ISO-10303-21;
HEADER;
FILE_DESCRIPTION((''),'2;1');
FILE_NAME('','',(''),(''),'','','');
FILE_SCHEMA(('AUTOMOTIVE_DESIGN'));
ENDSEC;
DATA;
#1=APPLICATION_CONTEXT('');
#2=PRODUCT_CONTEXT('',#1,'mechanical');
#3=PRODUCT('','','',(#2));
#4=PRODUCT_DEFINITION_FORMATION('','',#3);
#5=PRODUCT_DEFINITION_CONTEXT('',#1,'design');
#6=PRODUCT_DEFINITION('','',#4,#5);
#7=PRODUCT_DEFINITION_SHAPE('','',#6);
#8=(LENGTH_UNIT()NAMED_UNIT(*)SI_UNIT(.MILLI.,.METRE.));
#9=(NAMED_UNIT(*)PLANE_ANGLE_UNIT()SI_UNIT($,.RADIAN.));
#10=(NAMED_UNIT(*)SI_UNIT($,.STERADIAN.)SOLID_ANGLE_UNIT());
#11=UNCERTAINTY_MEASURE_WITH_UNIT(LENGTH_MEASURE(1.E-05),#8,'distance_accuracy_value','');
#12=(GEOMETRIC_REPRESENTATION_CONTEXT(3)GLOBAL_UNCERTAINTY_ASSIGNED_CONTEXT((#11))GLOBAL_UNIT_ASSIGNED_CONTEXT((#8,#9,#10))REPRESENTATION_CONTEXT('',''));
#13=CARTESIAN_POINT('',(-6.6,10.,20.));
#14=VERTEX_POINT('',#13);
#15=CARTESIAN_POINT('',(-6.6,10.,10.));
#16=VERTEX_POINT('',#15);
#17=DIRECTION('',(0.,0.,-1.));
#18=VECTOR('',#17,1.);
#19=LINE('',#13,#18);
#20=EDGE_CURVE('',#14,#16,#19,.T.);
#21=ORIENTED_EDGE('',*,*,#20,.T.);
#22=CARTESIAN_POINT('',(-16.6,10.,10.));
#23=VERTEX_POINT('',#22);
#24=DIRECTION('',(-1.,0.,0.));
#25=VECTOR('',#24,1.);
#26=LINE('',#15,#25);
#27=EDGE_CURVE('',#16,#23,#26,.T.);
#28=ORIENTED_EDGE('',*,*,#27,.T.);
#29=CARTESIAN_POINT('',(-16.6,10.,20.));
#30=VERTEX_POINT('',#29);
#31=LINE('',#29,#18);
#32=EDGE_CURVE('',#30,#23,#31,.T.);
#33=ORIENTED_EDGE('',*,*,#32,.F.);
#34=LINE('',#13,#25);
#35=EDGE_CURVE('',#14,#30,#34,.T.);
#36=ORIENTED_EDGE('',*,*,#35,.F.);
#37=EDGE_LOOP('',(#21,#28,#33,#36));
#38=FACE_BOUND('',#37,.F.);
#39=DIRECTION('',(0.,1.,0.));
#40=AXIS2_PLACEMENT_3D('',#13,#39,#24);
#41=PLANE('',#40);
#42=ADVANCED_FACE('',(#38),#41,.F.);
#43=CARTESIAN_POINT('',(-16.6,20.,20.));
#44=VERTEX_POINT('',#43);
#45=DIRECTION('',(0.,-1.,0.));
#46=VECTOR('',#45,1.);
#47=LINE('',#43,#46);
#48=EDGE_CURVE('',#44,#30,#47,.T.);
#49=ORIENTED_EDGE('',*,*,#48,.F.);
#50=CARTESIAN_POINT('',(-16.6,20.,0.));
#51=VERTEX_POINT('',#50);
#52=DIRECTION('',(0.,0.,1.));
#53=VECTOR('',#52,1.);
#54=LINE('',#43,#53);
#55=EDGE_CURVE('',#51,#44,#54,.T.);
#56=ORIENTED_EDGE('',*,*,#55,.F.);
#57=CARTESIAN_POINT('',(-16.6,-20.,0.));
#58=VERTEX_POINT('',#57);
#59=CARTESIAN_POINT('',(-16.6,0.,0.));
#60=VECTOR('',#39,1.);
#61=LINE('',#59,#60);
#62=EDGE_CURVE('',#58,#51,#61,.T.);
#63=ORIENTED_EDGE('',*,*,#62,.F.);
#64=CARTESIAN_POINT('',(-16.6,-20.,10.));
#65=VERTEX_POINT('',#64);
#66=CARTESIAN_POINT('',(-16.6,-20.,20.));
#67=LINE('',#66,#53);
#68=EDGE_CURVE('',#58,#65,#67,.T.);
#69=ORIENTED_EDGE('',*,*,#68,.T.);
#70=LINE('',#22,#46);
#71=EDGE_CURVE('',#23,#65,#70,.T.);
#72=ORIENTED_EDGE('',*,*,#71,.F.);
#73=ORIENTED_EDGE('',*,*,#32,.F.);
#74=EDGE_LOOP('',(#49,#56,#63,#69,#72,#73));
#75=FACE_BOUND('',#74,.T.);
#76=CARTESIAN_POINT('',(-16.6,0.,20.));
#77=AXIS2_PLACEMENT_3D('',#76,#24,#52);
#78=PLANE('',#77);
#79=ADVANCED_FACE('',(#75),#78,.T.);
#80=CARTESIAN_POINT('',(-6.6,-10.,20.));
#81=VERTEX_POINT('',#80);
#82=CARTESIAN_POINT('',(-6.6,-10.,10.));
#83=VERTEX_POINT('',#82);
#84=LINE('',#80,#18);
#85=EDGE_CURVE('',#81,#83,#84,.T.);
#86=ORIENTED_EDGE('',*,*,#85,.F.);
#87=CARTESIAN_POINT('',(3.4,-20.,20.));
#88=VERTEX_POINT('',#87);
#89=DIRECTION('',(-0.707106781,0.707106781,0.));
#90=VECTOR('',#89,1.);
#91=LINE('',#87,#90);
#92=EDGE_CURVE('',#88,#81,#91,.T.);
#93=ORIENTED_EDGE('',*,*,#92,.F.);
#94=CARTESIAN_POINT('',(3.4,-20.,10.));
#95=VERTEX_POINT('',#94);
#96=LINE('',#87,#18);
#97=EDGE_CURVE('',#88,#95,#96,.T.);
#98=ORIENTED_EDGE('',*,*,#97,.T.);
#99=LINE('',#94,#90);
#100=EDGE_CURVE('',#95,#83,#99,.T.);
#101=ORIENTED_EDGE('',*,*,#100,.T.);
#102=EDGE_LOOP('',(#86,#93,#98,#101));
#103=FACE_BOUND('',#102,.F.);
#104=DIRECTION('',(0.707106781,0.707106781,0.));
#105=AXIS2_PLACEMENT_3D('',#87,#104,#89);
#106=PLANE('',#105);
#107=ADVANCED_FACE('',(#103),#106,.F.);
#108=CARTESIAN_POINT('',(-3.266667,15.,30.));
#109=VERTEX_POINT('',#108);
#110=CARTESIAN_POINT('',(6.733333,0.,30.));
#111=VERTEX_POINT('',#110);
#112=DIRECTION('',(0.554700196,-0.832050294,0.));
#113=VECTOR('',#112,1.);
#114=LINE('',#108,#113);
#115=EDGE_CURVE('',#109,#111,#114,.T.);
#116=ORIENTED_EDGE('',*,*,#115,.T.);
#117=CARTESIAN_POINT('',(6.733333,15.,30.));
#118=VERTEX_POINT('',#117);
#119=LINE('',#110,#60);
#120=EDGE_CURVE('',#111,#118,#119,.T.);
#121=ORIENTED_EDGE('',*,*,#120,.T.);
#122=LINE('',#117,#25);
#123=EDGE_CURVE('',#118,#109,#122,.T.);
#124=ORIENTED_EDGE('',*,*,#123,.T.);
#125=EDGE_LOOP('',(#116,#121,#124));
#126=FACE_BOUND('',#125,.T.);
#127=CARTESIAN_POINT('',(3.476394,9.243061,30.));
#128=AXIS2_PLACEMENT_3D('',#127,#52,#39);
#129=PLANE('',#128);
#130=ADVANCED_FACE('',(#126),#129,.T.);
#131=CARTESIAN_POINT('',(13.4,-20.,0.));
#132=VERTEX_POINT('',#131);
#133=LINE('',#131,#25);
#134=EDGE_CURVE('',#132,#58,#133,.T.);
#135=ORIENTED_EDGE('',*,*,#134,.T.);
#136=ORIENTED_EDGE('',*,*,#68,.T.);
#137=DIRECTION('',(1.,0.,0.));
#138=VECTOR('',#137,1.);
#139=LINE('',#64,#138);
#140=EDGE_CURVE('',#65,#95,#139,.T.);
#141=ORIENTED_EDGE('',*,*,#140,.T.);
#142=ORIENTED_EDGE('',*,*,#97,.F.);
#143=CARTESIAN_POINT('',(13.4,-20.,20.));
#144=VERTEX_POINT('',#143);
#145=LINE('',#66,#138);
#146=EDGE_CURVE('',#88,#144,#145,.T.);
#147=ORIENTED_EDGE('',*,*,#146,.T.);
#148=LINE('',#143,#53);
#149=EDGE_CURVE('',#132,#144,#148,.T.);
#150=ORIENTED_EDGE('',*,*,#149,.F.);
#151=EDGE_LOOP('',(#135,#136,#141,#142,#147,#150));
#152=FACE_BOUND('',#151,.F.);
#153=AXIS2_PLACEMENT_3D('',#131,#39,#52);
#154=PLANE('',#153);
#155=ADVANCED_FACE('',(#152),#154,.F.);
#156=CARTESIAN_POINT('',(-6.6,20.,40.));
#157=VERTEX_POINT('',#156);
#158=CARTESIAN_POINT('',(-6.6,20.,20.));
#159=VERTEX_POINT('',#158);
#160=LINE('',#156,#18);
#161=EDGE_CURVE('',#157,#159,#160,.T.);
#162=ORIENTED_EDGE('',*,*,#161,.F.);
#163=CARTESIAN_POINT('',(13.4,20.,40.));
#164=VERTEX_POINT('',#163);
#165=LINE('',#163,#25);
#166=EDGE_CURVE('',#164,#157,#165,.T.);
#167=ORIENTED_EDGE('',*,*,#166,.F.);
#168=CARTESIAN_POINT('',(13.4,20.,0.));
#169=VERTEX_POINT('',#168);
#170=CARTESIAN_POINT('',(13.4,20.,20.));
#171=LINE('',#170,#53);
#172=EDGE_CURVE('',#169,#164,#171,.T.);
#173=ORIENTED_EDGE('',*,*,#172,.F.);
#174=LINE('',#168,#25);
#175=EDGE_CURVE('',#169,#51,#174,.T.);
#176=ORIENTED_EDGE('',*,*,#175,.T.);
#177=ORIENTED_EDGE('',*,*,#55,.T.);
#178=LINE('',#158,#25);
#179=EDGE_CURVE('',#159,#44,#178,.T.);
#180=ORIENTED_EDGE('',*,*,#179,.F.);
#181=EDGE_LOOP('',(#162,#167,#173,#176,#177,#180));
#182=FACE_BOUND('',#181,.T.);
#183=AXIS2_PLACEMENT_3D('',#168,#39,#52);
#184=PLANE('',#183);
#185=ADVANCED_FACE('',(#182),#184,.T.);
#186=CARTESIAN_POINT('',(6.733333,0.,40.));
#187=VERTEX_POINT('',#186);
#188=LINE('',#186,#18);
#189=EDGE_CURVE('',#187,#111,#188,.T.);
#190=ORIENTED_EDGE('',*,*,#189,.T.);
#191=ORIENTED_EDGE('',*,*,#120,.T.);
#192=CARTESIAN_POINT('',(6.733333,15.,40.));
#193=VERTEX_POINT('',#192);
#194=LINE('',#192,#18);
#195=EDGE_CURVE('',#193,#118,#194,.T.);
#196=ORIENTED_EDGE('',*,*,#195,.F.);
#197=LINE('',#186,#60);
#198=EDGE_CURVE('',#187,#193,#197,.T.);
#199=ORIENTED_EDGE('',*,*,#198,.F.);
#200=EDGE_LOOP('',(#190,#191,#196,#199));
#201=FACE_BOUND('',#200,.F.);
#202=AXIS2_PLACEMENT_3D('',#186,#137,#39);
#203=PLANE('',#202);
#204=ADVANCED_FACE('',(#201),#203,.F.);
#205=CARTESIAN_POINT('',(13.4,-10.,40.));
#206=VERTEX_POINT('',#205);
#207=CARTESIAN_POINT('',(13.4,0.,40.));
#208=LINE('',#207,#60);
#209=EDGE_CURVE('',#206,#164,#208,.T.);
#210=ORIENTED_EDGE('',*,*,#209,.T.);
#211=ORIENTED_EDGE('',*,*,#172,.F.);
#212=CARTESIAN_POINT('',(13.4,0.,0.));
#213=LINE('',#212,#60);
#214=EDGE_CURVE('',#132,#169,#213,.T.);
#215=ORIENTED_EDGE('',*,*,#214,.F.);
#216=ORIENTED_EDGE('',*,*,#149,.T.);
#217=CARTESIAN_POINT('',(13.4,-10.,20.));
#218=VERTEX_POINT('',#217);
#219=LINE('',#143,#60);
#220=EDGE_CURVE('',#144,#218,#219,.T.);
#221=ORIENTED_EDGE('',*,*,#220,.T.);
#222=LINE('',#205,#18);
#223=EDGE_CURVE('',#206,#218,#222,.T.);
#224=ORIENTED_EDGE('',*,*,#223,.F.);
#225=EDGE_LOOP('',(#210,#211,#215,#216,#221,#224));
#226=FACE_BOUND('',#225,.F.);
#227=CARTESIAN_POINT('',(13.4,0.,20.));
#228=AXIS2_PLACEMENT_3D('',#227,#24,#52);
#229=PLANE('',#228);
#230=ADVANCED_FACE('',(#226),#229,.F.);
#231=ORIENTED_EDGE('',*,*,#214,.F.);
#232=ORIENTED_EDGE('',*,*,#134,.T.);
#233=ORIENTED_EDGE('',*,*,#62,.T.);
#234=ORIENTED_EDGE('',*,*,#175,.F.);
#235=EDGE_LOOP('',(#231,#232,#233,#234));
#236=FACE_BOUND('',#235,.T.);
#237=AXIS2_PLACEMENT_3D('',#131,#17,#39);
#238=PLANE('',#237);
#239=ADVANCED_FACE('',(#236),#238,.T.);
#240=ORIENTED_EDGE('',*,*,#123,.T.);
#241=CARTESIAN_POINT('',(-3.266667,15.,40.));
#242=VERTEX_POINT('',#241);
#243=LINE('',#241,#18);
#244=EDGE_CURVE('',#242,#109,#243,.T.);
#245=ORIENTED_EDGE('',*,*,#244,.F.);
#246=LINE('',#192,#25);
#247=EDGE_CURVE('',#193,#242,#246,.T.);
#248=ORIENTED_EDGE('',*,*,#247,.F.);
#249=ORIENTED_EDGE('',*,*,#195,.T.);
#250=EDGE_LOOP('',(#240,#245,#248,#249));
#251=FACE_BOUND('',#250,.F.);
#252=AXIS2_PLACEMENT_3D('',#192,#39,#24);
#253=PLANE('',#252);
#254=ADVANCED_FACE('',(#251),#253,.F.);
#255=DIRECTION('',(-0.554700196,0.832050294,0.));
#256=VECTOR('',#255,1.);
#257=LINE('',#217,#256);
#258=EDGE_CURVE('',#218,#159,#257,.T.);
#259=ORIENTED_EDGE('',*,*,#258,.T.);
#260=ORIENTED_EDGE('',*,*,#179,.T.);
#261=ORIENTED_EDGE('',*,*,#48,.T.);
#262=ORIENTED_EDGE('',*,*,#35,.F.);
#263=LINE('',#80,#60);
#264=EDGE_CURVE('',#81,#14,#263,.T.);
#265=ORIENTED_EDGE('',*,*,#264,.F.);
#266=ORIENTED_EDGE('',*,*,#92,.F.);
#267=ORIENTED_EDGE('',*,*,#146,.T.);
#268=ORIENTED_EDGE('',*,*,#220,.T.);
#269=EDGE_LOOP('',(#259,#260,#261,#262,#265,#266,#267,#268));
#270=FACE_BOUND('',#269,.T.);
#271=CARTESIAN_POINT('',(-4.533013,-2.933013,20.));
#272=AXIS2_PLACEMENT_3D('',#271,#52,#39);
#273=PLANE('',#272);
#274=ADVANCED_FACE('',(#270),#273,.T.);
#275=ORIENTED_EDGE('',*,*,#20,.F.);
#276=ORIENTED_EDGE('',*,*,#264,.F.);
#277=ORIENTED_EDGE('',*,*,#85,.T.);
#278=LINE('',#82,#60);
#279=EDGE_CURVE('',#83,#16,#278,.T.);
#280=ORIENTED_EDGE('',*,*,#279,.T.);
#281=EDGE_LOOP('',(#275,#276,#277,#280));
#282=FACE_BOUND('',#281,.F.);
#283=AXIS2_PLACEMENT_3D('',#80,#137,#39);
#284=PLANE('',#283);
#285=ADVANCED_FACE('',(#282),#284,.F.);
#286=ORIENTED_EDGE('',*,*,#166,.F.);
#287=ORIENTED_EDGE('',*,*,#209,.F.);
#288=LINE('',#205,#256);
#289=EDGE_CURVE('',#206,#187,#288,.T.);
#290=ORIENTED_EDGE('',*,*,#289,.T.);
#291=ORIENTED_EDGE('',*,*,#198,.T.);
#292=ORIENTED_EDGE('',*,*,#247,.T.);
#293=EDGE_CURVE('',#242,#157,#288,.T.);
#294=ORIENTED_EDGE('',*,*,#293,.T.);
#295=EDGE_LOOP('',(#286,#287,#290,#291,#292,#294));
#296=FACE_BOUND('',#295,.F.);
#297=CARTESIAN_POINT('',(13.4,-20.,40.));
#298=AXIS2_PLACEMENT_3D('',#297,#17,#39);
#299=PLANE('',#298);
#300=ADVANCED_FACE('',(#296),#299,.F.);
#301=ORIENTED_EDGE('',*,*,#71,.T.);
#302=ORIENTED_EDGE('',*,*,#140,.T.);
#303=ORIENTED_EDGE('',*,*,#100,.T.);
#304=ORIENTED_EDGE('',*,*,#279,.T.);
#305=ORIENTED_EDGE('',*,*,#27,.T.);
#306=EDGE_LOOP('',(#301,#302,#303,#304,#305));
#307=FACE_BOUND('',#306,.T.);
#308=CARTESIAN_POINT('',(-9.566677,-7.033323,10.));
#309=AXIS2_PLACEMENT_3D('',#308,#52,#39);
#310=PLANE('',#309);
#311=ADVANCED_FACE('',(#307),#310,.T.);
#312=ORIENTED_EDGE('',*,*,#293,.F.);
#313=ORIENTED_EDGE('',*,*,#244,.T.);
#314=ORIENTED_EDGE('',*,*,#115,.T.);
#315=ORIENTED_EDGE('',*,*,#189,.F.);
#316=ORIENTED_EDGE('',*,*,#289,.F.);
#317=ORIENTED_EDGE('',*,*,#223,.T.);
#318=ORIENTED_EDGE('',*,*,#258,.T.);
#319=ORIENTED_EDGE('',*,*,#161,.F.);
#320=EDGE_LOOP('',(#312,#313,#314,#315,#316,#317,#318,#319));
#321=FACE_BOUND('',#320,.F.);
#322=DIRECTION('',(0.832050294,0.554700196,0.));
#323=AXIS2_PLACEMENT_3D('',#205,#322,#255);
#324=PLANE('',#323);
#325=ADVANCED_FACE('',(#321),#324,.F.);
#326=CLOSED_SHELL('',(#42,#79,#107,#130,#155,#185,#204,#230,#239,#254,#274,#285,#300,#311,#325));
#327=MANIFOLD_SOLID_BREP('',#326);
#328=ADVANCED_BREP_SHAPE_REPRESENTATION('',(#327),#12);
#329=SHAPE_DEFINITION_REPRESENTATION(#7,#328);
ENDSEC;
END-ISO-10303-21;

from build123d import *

# Parameters (mm, degrees)
F0_W     = 40
F0_H     = 40
F1_DEPTH = 30
F3_DEPTH = 20
F5_DEPTH = 10
F7_DEPTH = 10
F8_ANGLE = 90


with BuildPart() as f1:
    # F0 (on Top) → F1 (new body)
    with BuildSketch(Plane.XY):
        Rectangle(F0_W, F0_H)
    extrude(amount=F1_DEPTH)

    # F2 (on face) → F3 (cut)
    with BuildSketch(Plane.YZ.offset(20)):
        Polygon((20, 30), (-20, 30), (-20, 0), (-10, 0), (20, 20), align=None)
    extrude(amount=-F3_DEPTH, mode=Mode.SUBTRACT)

    # F4 (on face) → F5 (cut)
    with BuildSketch(Plane.YZ):
        Polygon((10, 30), (-20, 30), (-20, 10), (-10, 20), (10, 20), align=None)
    extrude(amount=-F5_DEPTH, mode=Mode.SUBTRACT)

    # F6 (on face) → F7 (cut)
    with BuildSketch(Plane.YZ.offset(20)):
        Polygon((15, 6.666667), (15, 16.666667), (0, 6.666667), align=None)
    extrude(amount=-F7_DEPTH, mode=Mode.SUBTRACT)


with BuildPart() as f1_1:
    # F8: moved
    add(f1.part.rotate(Axis((-20, 0, 0), (0, -1, 0)), F8_ANGLE))


with BuildPart() as f1_2:
    # F9: moved
    add(f1_1.part.moved(Location((33.4, 0, 0))))


solid = f1_2.part
